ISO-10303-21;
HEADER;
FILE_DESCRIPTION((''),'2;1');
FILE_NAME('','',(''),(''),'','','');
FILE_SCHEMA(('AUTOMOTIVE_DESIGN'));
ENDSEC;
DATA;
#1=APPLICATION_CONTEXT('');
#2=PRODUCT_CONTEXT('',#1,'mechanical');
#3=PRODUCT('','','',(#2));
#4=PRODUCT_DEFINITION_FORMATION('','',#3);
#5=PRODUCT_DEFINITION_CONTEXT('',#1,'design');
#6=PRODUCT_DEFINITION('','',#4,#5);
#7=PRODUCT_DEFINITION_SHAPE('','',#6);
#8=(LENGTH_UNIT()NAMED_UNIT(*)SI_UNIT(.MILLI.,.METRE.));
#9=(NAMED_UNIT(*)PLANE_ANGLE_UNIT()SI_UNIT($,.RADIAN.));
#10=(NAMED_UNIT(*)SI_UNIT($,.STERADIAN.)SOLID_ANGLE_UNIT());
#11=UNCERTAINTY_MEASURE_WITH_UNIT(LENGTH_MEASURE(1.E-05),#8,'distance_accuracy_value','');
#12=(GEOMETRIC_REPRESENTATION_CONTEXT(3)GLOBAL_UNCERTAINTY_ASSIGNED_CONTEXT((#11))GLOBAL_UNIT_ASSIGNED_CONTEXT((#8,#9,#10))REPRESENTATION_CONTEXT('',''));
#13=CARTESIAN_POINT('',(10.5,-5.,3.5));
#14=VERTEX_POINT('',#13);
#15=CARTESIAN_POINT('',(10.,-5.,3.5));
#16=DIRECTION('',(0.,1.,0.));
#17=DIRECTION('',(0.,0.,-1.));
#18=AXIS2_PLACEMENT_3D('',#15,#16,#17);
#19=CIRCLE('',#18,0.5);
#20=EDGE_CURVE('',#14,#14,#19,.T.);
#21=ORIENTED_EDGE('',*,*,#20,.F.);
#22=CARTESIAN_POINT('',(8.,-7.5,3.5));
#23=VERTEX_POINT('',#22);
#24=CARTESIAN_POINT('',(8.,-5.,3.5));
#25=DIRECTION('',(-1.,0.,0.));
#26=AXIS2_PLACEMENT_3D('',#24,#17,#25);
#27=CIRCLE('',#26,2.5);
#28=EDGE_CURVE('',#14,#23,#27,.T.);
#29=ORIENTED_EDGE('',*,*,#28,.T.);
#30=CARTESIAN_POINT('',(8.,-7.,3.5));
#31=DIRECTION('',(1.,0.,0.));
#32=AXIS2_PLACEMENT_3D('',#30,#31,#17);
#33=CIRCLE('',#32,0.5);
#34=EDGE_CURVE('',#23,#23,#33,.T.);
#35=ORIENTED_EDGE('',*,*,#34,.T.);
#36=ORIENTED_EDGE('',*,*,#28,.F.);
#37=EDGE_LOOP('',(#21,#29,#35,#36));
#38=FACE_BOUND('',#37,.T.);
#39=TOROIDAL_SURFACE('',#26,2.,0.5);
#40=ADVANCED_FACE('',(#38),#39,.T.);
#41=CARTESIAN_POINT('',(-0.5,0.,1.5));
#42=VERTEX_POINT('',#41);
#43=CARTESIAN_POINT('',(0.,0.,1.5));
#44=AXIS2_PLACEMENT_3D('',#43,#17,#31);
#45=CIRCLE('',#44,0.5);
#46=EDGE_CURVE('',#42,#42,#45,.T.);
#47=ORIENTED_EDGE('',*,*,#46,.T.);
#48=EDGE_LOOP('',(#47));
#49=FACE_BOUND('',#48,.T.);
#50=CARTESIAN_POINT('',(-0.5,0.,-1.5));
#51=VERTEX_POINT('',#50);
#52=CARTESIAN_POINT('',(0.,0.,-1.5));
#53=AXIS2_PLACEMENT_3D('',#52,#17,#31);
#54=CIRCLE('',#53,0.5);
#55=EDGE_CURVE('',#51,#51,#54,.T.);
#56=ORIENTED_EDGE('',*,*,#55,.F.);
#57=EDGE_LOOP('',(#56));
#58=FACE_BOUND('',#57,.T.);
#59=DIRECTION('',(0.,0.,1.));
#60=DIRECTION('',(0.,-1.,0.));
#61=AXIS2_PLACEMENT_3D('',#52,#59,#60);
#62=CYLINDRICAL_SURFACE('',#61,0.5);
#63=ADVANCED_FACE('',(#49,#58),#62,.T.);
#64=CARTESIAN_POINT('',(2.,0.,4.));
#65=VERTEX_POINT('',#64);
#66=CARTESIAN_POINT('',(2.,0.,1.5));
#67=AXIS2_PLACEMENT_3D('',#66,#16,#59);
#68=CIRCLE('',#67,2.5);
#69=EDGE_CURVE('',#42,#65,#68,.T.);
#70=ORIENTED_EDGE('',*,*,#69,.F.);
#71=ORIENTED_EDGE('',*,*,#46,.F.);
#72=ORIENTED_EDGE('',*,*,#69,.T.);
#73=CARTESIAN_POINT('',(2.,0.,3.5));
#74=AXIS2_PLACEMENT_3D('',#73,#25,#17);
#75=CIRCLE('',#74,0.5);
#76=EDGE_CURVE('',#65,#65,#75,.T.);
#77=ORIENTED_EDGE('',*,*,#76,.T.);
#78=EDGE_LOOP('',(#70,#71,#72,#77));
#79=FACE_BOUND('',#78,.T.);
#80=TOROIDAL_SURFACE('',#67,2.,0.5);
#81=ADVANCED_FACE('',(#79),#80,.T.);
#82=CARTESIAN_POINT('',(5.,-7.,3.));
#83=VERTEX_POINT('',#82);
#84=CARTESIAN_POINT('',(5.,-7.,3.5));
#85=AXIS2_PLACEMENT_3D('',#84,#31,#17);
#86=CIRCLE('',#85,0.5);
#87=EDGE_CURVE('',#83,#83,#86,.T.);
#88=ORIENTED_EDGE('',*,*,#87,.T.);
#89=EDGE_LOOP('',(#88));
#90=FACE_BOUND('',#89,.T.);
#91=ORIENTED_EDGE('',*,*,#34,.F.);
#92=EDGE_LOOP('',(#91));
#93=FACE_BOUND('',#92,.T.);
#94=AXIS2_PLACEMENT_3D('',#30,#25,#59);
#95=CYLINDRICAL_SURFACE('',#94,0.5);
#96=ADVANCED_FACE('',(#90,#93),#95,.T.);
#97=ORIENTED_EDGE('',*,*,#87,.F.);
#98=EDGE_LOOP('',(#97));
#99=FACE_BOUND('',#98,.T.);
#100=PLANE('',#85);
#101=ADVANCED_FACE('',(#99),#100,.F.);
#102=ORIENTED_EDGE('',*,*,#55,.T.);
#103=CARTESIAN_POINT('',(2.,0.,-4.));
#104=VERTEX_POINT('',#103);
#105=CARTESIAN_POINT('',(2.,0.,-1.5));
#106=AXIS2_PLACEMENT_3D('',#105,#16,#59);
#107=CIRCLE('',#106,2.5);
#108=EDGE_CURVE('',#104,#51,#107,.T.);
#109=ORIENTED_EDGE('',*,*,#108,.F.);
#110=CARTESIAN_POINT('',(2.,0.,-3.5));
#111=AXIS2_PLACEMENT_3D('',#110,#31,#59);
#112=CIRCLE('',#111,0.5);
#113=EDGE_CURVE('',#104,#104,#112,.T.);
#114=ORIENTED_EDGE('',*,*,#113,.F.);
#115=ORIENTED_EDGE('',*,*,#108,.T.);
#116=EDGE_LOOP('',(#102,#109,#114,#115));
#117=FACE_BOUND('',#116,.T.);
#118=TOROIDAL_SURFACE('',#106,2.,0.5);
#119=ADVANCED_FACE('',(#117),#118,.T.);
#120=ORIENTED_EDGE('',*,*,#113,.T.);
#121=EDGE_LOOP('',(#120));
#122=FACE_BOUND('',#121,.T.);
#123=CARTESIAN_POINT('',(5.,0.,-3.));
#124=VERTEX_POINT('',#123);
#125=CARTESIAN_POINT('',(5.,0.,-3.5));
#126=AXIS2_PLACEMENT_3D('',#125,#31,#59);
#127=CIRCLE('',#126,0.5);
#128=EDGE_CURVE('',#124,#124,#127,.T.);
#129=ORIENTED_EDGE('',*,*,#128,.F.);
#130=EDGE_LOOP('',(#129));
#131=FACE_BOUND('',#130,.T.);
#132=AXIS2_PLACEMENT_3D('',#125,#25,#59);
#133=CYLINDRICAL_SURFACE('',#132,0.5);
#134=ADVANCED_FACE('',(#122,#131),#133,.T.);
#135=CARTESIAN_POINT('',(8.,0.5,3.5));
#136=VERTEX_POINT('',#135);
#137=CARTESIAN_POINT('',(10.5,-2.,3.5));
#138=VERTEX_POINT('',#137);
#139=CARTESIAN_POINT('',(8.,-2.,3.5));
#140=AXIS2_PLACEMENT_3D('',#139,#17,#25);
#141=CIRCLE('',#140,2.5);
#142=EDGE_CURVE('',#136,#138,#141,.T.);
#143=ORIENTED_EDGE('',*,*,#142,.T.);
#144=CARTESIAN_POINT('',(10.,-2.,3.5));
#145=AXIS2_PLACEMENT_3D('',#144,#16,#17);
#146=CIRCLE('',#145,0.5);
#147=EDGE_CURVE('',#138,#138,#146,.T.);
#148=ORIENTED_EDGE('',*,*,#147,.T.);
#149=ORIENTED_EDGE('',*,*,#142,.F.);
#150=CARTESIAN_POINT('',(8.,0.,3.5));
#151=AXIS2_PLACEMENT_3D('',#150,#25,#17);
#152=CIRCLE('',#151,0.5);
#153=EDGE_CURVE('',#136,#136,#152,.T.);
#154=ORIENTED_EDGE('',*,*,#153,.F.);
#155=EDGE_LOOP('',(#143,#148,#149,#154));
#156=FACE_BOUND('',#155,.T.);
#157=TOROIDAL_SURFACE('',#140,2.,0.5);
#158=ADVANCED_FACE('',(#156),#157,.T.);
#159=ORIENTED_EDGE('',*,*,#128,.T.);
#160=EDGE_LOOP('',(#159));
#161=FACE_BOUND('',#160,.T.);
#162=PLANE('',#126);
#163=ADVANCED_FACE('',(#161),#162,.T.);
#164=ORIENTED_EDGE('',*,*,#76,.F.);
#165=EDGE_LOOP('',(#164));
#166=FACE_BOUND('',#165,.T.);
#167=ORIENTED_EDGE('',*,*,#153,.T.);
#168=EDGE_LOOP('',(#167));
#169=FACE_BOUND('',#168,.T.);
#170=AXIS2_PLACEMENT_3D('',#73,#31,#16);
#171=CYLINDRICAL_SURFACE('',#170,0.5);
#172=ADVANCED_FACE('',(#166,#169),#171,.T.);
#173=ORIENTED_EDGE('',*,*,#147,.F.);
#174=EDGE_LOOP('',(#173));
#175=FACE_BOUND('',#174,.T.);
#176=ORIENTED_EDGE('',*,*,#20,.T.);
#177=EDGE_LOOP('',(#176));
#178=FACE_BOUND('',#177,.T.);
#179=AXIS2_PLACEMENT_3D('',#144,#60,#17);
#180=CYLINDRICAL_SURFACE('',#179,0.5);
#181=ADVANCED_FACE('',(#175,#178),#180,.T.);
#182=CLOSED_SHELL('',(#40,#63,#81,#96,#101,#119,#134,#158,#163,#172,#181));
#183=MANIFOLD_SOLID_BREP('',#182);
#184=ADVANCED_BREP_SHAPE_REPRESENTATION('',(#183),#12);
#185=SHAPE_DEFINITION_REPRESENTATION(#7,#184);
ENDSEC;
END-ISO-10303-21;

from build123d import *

# Parameters (mm, degrees)
SWEEP1_PROFILE_R = 0.5


with BuildPart() as part:
    # Sweep1: sweep along a curve in space
    with BuildLine() as sweep1_path:
        Line((2, 0, -3.5), (5, 0, -3.5))
        ThreePointArc((0, 0, -1.5), (0.585786438, 0, -2.914213562), (2, 0, -3.5))
        Line((0, 0, -1.5), (0, 0, 1.5))
        ThreePointArc((0, 0, 1.5), (0.585786438, 0, 2.914213562), (2, 0, 3.5))
        Line((2, 0, 3.5), (8, 0, 3.5))
        ThreePointArc((8, 0, 3.5), (9.414213562, -0.585786438, 3.5), (10, -2, 3.5))
        Line((10, -2, 3.5), (10, -5, 3.5))
        ThreePointArc((10, -5, 3.5), (9.414213562, -6.414213562, 3.5), (8, -7, 3.5))
        Line((8, -7, 3.5), (5, -7, 3.5))
    # Sweep1 profile (on start of the path) → Sweep1 (sweep)
    with BuildSketch(Plane(origin=(5, -7, 3.5), x_dir=(0, 0, 1), z_dir=(1, 0, 0))):
        Circle(SWEEP1_PROFILE_R)
    sweep(path=sweep1_path.line)


solid = part.part
